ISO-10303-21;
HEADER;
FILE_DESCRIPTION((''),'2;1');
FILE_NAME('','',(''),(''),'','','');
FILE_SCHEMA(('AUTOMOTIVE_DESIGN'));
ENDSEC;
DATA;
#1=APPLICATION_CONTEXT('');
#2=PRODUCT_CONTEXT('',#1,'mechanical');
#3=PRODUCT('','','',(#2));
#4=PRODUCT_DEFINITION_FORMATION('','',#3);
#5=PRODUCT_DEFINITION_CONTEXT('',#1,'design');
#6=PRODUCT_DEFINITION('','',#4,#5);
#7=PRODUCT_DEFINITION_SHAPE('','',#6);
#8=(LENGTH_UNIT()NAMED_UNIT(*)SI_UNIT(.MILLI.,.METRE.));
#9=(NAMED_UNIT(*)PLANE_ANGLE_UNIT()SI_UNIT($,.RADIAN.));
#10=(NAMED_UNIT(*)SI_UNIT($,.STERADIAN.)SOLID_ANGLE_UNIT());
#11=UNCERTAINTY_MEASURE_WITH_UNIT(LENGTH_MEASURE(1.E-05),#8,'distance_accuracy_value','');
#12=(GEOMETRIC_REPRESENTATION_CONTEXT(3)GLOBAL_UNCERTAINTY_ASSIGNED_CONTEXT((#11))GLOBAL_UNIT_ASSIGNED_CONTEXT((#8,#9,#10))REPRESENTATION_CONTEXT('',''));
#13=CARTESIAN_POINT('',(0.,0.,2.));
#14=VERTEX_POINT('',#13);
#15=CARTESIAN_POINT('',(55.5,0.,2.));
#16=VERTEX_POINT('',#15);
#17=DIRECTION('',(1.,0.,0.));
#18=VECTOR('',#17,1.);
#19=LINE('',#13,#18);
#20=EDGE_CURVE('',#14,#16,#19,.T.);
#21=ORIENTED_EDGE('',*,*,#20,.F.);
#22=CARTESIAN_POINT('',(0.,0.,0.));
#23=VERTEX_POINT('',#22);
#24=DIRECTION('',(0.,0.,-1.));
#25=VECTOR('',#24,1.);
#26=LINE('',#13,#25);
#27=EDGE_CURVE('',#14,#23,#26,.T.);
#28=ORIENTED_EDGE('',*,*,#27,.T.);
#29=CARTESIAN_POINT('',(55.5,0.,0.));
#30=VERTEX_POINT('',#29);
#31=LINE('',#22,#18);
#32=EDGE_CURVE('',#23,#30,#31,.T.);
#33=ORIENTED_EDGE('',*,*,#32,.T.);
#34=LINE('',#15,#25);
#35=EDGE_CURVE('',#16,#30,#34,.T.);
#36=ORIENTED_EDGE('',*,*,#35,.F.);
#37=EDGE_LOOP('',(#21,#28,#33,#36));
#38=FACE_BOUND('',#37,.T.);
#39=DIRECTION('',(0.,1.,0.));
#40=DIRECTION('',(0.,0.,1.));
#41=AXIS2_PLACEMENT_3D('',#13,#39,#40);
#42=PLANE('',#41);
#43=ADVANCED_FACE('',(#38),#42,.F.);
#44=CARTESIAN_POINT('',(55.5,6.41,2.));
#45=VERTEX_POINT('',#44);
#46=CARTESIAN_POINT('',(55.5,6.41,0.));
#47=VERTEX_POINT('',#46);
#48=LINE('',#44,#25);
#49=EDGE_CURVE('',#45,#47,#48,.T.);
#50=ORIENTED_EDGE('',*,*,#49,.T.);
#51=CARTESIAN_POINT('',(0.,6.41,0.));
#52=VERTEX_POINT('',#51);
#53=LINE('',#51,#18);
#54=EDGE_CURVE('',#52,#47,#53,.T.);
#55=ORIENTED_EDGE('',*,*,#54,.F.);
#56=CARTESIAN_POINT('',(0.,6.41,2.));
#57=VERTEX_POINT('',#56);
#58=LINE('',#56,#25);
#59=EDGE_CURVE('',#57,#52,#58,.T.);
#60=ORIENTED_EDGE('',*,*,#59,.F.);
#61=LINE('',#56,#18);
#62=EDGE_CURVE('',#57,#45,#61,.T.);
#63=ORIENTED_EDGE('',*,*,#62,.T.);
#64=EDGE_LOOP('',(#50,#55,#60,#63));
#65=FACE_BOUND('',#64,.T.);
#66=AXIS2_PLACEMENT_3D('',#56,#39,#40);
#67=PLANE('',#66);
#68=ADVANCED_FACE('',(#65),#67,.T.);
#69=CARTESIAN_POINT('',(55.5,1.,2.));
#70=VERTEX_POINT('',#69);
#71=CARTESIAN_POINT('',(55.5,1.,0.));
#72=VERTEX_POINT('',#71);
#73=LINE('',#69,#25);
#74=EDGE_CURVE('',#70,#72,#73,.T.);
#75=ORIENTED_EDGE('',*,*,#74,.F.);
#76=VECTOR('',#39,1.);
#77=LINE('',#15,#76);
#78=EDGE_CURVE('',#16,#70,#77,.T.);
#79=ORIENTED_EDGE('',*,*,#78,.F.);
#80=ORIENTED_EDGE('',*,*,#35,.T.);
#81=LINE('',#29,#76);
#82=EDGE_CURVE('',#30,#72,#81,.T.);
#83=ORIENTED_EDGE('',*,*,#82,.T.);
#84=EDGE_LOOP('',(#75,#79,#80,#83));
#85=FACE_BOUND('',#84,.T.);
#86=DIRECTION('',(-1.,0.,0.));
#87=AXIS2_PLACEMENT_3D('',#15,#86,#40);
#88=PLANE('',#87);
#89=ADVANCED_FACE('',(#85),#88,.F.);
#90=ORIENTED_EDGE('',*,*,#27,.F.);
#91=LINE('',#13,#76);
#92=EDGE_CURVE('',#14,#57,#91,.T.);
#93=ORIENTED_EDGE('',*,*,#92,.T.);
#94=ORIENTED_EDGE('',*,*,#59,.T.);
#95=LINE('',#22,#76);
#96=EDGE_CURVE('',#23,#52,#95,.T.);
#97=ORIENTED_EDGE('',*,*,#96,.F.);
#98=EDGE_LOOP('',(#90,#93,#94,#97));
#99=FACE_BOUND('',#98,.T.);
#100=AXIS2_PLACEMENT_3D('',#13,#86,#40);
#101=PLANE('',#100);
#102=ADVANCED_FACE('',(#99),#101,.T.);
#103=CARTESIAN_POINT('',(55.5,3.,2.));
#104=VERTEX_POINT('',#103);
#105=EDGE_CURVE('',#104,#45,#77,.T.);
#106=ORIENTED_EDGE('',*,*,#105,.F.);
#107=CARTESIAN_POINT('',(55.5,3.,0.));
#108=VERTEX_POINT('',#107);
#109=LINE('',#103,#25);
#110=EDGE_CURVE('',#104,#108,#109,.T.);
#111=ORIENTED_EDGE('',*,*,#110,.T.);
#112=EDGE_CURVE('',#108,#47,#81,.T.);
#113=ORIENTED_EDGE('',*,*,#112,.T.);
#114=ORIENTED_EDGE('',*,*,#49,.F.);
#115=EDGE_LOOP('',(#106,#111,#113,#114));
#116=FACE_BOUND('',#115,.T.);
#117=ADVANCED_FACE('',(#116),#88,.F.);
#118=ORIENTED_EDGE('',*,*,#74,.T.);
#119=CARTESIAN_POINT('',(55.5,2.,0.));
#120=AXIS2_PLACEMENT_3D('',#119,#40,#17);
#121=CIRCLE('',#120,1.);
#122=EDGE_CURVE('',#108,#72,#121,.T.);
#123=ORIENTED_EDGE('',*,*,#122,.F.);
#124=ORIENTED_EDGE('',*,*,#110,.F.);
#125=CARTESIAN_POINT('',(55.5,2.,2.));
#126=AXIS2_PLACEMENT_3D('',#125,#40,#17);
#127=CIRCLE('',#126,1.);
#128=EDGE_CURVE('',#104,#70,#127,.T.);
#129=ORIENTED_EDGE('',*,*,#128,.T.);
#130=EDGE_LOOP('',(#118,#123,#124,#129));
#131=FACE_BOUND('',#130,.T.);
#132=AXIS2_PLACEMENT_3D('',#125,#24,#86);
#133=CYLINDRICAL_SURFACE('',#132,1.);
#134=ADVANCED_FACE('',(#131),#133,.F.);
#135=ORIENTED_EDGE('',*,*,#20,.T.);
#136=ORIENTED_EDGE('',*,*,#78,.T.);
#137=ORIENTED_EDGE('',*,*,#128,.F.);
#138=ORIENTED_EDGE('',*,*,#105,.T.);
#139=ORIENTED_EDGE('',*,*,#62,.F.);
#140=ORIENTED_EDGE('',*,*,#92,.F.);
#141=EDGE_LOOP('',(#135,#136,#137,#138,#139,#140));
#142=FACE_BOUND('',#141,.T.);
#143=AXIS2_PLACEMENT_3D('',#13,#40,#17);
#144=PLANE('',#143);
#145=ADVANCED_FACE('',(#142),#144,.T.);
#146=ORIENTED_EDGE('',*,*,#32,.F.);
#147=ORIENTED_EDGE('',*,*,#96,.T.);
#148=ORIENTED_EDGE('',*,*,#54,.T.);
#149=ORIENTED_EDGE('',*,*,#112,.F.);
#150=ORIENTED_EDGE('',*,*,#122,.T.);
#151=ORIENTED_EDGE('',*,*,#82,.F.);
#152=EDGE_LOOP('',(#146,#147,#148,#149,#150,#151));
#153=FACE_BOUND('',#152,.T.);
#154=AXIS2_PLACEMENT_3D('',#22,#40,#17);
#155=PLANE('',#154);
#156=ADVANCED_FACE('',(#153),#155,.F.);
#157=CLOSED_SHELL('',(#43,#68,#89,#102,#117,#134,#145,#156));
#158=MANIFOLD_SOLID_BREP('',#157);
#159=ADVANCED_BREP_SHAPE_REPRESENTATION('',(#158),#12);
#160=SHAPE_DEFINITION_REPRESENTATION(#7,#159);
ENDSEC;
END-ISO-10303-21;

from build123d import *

# Parameters (mm, degrees)
EXTRUDE_1_DEPTH = 2


with BuildPart() as part:
    # Эскиз1 → Бобышка-Вытянуть1 (new body)
    with BuildSketch(Plane.XY):
        with BuildLine():
            Line((0, 6.41), (0, 0))
            Line((0, 0), (55.5, 0))
            Line((55.5, 0), (55.5, 1))
            ThreePointArc((55.5, 1), (54.5, 2), (55.5, 3))
            Line((55.5, 3), (55.5, 6.41))
            Line((55.5, 6.41), (0, 6.41))
        make_face()
    extrude(amount=EXTRUDE_1_DEPTH)


solid = part.part
